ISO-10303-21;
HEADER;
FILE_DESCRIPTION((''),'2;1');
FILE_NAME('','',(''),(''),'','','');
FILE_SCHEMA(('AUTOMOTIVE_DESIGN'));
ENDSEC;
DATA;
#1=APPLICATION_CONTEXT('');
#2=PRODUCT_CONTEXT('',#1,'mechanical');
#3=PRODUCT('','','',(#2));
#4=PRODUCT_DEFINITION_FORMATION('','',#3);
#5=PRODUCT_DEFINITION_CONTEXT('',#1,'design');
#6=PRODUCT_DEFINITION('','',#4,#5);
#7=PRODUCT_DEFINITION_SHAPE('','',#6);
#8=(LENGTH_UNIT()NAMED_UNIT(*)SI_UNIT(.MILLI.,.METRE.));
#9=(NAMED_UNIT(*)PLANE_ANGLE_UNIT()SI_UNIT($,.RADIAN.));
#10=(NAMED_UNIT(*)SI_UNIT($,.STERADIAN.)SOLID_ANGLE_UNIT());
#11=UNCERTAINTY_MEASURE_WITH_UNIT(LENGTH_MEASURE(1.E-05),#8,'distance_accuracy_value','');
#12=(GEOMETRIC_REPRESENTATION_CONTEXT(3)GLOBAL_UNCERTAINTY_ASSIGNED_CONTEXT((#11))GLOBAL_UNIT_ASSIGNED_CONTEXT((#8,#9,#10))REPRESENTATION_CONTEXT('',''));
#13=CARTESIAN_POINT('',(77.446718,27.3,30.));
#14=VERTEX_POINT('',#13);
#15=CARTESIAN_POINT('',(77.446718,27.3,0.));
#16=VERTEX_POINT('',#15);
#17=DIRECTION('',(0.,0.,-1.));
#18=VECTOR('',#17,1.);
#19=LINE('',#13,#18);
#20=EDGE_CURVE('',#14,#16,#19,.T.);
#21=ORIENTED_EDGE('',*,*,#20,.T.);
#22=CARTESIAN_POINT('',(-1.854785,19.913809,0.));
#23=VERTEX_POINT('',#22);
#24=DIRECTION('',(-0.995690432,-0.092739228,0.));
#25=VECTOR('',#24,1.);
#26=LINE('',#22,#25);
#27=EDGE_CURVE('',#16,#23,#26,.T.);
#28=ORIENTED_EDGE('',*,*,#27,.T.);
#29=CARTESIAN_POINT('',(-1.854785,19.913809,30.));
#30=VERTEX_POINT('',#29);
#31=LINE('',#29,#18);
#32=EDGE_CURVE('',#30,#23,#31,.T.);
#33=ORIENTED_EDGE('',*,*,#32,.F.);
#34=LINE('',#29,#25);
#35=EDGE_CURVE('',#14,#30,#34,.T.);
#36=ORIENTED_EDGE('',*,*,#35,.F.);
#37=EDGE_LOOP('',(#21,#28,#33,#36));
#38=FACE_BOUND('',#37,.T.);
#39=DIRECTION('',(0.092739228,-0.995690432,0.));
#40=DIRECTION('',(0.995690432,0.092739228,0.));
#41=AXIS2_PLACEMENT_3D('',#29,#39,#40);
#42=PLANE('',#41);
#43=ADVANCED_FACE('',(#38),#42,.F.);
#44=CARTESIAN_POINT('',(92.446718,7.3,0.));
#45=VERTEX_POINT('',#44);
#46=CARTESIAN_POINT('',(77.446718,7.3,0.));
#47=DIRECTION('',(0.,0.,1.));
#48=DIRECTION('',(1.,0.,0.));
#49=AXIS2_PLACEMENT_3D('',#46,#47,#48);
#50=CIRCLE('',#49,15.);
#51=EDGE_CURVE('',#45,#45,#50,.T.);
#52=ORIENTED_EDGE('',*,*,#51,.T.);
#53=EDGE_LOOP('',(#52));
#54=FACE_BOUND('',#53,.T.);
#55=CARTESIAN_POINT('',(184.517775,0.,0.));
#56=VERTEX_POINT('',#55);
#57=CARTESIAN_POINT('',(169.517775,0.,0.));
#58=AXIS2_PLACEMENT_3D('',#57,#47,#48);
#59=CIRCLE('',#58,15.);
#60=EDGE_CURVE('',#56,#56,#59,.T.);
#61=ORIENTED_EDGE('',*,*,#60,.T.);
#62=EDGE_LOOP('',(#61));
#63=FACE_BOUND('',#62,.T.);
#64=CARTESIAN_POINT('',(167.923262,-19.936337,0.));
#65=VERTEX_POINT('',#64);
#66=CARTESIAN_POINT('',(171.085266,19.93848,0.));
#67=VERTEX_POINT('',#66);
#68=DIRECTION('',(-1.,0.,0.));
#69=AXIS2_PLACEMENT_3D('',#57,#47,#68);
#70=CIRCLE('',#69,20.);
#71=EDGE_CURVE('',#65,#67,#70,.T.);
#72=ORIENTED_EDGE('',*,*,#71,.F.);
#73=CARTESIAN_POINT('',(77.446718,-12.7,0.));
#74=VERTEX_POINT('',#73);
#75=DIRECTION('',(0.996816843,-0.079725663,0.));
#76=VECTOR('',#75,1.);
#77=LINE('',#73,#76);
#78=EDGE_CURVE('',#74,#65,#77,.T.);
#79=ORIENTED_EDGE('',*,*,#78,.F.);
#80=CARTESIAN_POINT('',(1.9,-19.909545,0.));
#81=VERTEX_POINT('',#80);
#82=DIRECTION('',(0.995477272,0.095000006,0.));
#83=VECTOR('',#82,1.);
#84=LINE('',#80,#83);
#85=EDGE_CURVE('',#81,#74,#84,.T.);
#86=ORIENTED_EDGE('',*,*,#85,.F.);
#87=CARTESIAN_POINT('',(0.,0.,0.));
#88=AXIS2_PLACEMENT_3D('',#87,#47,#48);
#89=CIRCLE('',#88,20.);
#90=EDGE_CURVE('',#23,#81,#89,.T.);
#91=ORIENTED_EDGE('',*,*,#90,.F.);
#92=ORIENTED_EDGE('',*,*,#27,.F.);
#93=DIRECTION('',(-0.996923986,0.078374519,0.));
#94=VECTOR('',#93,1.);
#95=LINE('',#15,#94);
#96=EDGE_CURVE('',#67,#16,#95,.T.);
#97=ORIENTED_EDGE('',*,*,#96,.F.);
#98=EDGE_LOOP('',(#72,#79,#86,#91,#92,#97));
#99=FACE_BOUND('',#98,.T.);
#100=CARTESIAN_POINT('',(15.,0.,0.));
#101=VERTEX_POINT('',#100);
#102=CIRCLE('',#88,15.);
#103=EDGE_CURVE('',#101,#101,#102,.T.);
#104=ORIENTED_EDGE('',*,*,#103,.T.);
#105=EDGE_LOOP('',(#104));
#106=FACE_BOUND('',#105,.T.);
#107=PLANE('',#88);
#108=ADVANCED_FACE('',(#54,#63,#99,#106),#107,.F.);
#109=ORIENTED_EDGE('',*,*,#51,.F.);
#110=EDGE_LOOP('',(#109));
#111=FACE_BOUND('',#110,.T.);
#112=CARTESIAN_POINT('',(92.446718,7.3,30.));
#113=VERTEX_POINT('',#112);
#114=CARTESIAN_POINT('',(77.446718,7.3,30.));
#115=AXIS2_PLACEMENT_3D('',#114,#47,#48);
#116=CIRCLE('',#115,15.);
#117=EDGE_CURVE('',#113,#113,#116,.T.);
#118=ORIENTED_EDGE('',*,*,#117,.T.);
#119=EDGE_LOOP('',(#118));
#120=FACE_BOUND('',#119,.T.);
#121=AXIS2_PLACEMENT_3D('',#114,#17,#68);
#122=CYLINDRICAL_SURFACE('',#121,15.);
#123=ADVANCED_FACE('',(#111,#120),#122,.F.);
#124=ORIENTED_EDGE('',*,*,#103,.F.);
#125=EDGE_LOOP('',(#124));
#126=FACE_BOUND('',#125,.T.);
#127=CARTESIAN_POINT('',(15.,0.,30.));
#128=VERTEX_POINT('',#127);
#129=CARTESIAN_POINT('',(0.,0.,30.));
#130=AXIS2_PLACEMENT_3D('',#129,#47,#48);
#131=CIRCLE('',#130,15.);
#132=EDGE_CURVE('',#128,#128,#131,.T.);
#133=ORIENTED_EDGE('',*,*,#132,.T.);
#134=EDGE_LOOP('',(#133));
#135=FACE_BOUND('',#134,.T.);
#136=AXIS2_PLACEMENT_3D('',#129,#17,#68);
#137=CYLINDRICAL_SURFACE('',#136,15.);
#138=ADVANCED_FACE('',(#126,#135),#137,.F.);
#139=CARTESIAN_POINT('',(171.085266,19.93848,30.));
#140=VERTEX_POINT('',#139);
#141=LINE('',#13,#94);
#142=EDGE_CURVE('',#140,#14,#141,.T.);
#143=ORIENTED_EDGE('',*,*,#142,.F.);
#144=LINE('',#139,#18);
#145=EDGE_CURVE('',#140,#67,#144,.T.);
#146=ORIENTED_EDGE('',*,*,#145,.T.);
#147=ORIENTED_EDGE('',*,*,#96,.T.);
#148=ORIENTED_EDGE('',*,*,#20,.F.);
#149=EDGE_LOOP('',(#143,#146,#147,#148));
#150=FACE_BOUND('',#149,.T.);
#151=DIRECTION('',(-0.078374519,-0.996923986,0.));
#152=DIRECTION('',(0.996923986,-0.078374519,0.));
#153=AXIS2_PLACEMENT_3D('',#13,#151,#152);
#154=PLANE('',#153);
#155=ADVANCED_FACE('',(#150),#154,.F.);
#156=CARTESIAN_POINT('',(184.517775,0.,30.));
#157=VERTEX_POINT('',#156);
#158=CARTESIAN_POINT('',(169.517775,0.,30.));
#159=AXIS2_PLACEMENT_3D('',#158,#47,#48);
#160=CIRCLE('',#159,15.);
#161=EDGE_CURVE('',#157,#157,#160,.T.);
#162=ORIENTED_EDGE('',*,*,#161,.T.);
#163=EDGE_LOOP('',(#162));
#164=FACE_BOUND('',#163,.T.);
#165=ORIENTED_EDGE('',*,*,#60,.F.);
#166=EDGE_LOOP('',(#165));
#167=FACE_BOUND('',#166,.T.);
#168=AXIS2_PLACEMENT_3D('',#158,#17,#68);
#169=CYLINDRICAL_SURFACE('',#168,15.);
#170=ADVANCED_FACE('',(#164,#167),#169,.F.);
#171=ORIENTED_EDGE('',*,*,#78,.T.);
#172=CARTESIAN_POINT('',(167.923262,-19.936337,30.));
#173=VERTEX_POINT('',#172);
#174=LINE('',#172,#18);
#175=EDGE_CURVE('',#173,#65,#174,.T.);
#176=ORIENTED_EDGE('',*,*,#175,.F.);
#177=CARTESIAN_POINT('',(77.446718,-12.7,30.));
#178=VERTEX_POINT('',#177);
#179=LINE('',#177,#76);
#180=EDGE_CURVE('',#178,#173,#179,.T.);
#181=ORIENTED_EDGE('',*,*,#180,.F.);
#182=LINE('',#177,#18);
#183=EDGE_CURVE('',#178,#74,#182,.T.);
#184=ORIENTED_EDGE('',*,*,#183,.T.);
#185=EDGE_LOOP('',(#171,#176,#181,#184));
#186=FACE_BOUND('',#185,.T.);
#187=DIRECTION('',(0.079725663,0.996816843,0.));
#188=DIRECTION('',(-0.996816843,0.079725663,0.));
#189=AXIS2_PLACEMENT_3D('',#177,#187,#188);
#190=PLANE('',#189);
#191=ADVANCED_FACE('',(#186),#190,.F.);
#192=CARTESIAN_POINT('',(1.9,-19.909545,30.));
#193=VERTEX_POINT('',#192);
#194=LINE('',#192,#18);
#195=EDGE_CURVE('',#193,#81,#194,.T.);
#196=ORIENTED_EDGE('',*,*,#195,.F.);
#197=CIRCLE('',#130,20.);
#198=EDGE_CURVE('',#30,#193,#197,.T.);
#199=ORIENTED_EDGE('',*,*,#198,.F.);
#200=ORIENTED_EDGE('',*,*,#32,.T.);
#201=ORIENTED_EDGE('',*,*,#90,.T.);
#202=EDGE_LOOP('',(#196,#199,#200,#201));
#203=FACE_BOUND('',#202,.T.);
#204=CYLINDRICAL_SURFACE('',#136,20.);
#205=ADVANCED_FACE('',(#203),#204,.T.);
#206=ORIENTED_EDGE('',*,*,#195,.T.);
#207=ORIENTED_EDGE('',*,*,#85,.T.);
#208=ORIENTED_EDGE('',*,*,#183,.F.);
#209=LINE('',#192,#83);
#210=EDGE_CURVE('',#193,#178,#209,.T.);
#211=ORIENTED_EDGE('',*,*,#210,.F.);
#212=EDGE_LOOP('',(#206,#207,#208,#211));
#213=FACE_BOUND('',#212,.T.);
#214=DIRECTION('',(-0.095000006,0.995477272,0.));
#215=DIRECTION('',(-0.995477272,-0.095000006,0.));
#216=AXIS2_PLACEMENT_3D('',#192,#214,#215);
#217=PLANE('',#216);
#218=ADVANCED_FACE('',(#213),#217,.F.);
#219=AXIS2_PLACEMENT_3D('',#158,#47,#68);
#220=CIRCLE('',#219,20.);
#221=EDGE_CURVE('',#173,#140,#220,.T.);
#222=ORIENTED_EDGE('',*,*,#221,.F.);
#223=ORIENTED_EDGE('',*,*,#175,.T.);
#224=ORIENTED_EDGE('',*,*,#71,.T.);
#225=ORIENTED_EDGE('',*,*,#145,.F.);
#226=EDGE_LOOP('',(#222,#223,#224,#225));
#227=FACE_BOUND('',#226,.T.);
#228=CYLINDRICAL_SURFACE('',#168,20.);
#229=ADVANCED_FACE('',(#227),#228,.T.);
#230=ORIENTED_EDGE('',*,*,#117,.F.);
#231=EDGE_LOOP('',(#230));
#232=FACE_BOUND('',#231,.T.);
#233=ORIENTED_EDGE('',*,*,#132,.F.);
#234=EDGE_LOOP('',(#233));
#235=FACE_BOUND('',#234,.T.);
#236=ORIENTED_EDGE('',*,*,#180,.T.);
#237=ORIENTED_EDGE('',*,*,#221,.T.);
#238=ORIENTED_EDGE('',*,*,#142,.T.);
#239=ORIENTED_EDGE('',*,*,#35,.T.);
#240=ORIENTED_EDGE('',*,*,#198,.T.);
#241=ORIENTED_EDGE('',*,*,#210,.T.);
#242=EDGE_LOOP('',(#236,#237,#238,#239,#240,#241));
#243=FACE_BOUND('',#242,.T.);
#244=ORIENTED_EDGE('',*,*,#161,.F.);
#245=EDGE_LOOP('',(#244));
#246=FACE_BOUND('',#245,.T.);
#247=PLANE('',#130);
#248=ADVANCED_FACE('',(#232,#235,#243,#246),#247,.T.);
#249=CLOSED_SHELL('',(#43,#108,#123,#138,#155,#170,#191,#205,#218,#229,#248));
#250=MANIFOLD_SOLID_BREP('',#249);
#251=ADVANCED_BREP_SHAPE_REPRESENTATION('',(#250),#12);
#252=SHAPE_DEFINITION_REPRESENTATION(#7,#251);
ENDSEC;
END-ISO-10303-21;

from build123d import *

# Parameters (mm, degrees)
SKETCH1_R           = 15
BOSS_EXTRUDE1_DEPTH = 30


with BuildPart() as part:
    # Sketch1 → Boss-Extrude1 (new body)
    with BuildSketch(Plane.XY):
        with BuildLine():
            Line((-1.85478455, 19.913808633), (77.446717813, 27.3))
            Line((77.446717813, 27.3), (171.085265534, 19.938479729))
            ThreePointArc((171.085265534, 19.938479729), (189.455188028, -1.581002183), (167.923261894, -19.936336862))
            Line((167.923261894, -19.936336862), (77.446717813, -12.7))
            Line((77.446717813, -12.7), (1.900000117, -19.909545438))
            ThreePointArc((1.900000117, -19.909545438), (-19.91168987, -1.877393544), (-1.85478455, 19.913808633))
        make_face()
        with Locations((77.446717813, 7.3)):
            Circle(SKETCH1_R, mode=Mode.SUBTRACT)
        with Locations((169.517775155, 0)):
            Circle(SKETCH1_R, mode=Mode.SUBTRACT)
        Circle(SKETCH1_R, mode=Mode.SUBTRACT)
    extrude(amount=BOSS_EXTRUDE1_DEPTH)


solid = part.part
